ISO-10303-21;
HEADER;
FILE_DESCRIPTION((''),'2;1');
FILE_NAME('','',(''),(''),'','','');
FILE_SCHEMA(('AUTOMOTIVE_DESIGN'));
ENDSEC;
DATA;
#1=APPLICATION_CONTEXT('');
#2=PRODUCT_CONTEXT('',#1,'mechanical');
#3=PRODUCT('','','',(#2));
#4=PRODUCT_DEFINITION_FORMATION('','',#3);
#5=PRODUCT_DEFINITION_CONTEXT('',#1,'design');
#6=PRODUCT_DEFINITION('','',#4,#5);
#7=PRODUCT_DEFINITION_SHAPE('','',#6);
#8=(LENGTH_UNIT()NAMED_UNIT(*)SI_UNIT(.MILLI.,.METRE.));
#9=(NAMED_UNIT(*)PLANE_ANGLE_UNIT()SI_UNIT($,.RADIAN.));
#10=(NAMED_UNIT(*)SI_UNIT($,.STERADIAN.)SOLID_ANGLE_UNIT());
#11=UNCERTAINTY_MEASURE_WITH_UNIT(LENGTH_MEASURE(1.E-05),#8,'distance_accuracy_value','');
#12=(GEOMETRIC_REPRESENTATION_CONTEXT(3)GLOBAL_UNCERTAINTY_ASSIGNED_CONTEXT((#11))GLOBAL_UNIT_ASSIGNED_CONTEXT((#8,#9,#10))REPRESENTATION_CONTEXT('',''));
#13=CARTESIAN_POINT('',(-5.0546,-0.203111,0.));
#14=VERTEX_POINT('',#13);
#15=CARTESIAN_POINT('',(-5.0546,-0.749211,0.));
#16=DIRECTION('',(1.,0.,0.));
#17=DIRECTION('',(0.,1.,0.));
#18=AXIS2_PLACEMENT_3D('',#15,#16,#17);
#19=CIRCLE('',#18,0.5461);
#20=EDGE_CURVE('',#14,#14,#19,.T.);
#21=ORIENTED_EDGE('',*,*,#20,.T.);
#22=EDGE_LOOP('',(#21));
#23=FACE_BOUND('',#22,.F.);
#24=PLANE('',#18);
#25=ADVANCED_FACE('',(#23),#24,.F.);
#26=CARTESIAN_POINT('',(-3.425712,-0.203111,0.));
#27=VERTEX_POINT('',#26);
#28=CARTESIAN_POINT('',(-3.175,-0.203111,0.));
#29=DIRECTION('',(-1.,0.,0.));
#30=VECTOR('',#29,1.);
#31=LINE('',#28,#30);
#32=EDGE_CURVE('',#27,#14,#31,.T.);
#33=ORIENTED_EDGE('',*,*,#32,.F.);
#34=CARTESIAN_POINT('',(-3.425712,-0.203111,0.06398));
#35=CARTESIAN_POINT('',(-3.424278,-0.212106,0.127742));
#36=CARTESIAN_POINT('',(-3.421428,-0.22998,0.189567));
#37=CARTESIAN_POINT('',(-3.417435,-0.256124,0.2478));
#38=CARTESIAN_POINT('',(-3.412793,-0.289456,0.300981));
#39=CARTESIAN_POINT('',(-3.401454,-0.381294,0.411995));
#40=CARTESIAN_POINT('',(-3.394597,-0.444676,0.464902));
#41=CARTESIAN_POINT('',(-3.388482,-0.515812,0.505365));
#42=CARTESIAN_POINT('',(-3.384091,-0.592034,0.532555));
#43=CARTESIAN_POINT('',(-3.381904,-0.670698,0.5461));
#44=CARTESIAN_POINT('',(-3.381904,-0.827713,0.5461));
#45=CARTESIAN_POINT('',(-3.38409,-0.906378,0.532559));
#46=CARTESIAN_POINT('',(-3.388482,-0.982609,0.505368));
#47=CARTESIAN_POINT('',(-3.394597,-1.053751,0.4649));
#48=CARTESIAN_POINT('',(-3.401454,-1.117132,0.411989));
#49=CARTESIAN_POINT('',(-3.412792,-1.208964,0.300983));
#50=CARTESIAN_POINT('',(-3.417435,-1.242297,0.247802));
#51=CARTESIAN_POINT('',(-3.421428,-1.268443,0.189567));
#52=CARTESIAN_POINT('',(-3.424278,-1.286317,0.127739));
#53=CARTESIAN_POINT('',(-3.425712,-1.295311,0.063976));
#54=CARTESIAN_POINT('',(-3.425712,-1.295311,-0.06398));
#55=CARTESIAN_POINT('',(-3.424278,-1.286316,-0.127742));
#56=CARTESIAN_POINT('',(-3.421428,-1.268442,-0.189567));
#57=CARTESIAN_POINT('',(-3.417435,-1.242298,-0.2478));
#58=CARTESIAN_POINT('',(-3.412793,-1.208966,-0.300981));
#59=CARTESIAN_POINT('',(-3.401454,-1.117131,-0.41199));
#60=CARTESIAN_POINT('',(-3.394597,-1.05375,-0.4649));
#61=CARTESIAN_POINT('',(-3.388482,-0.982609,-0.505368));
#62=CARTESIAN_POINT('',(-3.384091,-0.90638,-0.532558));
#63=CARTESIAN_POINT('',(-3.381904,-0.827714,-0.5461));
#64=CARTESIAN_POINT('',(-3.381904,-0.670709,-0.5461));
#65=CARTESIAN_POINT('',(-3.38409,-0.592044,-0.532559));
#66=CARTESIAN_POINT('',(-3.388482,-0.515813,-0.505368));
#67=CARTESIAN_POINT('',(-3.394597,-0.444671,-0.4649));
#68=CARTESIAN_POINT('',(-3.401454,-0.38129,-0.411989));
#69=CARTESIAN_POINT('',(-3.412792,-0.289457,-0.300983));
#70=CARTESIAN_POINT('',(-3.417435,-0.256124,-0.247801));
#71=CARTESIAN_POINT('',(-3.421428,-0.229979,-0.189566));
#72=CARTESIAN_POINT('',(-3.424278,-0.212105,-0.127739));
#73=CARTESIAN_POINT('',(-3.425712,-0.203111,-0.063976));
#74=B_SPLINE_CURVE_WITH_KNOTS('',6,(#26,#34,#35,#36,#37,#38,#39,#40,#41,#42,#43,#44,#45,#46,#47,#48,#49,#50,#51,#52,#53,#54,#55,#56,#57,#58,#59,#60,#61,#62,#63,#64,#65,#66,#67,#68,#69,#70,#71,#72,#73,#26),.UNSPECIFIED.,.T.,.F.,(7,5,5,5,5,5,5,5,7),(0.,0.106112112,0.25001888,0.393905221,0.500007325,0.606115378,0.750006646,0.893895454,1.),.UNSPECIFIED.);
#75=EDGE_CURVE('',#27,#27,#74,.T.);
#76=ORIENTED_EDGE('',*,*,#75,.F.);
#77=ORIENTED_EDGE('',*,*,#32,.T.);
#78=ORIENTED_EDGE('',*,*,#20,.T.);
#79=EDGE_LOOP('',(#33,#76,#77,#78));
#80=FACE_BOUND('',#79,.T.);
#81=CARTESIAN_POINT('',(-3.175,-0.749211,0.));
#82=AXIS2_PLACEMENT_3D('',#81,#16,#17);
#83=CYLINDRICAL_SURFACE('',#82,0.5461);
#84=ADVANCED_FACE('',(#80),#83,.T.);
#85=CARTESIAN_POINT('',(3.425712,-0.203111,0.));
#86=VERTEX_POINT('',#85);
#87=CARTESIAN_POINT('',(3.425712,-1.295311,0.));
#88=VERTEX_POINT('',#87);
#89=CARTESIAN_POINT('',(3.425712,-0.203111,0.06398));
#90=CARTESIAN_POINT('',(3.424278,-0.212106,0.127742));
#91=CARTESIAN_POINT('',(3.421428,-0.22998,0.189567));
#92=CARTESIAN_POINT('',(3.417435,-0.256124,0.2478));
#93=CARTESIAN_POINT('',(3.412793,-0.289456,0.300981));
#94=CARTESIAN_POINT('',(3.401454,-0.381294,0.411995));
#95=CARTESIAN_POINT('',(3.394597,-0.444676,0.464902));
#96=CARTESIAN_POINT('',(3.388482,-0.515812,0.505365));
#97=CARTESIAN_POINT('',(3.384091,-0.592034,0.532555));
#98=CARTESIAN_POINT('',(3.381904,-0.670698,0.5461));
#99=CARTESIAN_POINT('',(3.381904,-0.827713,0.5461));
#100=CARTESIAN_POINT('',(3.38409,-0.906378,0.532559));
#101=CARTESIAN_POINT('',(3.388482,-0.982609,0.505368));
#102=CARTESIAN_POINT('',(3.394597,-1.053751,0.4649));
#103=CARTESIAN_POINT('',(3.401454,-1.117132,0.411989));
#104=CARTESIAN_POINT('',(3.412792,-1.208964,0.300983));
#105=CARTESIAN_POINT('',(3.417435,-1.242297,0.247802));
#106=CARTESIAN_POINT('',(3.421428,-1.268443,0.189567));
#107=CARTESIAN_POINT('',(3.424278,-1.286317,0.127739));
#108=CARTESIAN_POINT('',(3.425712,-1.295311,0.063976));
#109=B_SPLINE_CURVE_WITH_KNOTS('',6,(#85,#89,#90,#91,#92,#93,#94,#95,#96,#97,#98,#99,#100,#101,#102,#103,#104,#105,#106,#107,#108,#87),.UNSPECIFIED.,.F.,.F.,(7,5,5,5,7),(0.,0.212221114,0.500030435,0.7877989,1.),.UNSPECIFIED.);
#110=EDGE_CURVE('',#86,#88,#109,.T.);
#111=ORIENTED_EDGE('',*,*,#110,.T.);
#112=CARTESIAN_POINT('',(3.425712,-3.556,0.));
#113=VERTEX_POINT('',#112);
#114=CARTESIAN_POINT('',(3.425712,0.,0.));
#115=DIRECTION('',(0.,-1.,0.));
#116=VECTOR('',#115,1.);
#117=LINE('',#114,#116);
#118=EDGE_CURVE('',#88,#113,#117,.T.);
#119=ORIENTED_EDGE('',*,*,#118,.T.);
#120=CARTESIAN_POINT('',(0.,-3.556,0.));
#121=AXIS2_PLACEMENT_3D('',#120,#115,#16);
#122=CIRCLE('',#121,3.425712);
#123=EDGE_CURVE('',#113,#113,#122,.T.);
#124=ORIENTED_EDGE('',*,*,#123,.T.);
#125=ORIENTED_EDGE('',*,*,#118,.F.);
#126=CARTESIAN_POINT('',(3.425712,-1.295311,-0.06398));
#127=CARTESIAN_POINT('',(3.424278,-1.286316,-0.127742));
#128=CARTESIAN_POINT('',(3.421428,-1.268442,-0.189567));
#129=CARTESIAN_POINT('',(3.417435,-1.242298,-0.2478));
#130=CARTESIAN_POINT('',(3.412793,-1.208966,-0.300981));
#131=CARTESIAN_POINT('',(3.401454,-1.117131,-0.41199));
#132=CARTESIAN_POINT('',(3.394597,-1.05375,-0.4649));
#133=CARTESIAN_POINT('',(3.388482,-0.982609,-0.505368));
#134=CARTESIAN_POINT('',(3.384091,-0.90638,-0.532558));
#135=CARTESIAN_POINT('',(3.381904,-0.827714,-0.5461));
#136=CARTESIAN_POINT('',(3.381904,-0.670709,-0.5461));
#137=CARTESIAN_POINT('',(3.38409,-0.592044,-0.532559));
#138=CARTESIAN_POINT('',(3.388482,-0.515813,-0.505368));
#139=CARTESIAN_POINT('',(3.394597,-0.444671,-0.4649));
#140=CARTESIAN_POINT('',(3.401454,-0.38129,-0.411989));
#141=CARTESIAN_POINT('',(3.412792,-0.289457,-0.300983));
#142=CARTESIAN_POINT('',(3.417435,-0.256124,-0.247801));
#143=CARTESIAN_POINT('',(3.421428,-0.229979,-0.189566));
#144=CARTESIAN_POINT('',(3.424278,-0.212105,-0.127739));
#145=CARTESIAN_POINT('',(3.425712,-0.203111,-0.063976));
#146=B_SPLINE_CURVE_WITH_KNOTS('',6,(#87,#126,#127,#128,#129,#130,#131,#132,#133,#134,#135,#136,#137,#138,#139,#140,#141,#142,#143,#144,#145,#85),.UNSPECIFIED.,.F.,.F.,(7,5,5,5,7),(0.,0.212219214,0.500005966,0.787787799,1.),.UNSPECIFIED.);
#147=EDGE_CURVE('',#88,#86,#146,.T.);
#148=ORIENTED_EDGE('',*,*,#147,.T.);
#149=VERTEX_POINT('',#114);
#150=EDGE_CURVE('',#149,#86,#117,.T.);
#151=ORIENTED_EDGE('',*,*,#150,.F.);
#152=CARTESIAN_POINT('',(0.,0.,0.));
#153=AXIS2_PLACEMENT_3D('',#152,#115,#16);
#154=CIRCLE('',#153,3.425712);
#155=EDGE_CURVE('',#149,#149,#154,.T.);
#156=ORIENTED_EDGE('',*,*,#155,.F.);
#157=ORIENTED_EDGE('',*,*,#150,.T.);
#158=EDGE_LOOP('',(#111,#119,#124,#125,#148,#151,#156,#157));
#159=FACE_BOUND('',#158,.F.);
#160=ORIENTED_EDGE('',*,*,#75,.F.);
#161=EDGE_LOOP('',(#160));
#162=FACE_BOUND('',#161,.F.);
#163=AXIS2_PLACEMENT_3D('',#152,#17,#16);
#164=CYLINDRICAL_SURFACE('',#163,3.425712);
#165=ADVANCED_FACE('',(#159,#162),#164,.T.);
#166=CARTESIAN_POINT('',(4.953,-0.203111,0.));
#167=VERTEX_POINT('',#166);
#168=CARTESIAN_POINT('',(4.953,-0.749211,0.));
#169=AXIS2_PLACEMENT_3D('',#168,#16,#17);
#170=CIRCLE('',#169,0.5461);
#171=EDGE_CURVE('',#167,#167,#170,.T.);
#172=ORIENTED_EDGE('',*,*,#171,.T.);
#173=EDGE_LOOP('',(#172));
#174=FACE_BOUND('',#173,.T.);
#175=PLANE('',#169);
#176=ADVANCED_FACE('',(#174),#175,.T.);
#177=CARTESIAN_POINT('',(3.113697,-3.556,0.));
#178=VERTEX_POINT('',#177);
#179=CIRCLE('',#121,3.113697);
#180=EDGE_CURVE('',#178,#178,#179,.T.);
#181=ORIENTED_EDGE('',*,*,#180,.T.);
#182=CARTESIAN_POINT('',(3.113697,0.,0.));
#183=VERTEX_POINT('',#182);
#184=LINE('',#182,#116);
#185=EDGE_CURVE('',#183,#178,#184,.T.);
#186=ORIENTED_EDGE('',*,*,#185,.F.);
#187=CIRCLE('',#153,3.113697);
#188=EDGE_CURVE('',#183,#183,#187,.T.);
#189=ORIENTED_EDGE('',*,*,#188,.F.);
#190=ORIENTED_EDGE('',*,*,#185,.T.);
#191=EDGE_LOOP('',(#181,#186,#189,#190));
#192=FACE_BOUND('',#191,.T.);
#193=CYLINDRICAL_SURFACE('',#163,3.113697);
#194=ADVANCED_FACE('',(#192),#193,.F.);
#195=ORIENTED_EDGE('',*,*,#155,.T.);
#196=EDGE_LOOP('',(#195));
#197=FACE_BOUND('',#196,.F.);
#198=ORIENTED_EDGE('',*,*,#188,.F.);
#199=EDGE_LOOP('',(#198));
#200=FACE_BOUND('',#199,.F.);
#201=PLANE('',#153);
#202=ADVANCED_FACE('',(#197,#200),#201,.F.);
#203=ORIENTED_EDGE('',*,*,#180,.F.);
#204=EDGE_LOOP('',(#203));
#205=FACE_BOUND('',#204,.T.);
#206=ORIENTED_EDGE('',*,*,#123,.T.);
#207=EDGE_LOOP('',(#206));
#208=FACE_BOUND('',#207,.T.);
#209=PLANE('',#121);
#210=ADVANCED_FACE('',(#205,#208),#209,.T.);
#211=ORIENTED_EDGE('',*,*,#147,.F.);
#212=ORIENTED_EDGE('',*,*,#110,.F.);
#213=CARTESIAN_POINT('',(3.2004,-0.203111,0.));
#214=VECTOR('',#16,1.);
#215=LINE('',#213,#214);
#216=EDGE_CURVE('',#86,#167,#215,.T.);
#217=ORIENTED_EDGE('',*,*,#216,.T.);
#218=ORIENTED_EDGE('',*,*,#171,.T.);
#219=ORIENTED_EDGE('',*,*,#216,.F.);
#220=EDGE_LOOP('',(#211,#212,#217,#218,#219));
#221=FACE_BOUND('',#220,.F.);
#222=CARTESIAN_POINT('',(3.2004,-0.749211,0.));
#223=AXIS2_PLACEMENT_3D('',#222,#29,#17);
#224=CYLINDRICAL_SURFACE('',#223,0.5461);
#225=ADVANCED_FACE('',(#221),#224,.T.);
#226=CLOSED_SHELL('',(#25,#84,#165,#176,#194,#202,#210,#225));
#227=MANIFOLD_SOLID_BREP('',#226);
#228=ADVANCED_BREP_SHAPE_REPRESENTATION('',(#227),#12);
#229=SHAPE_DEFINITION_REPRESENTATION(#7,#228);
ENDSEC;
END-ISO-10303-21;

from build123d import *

# Parameters (mm, degrees)
F0_R     = 3.4257116129
F0_R_2   = 3.1136968268
F1_DEPTH = 3.556
F3_START = 3.2004
F2_R     = 0.5461
F3_DEPTH = 1.7526
F4_START = -3.175
F4_DEPTH = 1.8796


with BuildPart() as f1:
    # F0 (on Front) → F1 (new body)
    with BuildSketch(Plane.XZ):
        Circle(F0_R)
        Circle(F0_R_2, mode=Mode.SUBTRACT)
    extrude(amount=F1_DEPTH)

    # F2 (on Right) → F3 (join)
    with BuildSketch(Plane.YZ.offset(F3_START)):
        with Locations((-0.7492110241, 0)):
            Circle(F2_R)
    extrude(amount=F3_DEPTH)

    # F2 (on Right) → F4 (join)
    with BuildSketch(Plane.YZ.offset(F4_START)):
        with Locations((-0.7492110241, 0)):
            Circle(F2_R)
    extrude(amount=-F4_DEPTH)


solid = f1.part
